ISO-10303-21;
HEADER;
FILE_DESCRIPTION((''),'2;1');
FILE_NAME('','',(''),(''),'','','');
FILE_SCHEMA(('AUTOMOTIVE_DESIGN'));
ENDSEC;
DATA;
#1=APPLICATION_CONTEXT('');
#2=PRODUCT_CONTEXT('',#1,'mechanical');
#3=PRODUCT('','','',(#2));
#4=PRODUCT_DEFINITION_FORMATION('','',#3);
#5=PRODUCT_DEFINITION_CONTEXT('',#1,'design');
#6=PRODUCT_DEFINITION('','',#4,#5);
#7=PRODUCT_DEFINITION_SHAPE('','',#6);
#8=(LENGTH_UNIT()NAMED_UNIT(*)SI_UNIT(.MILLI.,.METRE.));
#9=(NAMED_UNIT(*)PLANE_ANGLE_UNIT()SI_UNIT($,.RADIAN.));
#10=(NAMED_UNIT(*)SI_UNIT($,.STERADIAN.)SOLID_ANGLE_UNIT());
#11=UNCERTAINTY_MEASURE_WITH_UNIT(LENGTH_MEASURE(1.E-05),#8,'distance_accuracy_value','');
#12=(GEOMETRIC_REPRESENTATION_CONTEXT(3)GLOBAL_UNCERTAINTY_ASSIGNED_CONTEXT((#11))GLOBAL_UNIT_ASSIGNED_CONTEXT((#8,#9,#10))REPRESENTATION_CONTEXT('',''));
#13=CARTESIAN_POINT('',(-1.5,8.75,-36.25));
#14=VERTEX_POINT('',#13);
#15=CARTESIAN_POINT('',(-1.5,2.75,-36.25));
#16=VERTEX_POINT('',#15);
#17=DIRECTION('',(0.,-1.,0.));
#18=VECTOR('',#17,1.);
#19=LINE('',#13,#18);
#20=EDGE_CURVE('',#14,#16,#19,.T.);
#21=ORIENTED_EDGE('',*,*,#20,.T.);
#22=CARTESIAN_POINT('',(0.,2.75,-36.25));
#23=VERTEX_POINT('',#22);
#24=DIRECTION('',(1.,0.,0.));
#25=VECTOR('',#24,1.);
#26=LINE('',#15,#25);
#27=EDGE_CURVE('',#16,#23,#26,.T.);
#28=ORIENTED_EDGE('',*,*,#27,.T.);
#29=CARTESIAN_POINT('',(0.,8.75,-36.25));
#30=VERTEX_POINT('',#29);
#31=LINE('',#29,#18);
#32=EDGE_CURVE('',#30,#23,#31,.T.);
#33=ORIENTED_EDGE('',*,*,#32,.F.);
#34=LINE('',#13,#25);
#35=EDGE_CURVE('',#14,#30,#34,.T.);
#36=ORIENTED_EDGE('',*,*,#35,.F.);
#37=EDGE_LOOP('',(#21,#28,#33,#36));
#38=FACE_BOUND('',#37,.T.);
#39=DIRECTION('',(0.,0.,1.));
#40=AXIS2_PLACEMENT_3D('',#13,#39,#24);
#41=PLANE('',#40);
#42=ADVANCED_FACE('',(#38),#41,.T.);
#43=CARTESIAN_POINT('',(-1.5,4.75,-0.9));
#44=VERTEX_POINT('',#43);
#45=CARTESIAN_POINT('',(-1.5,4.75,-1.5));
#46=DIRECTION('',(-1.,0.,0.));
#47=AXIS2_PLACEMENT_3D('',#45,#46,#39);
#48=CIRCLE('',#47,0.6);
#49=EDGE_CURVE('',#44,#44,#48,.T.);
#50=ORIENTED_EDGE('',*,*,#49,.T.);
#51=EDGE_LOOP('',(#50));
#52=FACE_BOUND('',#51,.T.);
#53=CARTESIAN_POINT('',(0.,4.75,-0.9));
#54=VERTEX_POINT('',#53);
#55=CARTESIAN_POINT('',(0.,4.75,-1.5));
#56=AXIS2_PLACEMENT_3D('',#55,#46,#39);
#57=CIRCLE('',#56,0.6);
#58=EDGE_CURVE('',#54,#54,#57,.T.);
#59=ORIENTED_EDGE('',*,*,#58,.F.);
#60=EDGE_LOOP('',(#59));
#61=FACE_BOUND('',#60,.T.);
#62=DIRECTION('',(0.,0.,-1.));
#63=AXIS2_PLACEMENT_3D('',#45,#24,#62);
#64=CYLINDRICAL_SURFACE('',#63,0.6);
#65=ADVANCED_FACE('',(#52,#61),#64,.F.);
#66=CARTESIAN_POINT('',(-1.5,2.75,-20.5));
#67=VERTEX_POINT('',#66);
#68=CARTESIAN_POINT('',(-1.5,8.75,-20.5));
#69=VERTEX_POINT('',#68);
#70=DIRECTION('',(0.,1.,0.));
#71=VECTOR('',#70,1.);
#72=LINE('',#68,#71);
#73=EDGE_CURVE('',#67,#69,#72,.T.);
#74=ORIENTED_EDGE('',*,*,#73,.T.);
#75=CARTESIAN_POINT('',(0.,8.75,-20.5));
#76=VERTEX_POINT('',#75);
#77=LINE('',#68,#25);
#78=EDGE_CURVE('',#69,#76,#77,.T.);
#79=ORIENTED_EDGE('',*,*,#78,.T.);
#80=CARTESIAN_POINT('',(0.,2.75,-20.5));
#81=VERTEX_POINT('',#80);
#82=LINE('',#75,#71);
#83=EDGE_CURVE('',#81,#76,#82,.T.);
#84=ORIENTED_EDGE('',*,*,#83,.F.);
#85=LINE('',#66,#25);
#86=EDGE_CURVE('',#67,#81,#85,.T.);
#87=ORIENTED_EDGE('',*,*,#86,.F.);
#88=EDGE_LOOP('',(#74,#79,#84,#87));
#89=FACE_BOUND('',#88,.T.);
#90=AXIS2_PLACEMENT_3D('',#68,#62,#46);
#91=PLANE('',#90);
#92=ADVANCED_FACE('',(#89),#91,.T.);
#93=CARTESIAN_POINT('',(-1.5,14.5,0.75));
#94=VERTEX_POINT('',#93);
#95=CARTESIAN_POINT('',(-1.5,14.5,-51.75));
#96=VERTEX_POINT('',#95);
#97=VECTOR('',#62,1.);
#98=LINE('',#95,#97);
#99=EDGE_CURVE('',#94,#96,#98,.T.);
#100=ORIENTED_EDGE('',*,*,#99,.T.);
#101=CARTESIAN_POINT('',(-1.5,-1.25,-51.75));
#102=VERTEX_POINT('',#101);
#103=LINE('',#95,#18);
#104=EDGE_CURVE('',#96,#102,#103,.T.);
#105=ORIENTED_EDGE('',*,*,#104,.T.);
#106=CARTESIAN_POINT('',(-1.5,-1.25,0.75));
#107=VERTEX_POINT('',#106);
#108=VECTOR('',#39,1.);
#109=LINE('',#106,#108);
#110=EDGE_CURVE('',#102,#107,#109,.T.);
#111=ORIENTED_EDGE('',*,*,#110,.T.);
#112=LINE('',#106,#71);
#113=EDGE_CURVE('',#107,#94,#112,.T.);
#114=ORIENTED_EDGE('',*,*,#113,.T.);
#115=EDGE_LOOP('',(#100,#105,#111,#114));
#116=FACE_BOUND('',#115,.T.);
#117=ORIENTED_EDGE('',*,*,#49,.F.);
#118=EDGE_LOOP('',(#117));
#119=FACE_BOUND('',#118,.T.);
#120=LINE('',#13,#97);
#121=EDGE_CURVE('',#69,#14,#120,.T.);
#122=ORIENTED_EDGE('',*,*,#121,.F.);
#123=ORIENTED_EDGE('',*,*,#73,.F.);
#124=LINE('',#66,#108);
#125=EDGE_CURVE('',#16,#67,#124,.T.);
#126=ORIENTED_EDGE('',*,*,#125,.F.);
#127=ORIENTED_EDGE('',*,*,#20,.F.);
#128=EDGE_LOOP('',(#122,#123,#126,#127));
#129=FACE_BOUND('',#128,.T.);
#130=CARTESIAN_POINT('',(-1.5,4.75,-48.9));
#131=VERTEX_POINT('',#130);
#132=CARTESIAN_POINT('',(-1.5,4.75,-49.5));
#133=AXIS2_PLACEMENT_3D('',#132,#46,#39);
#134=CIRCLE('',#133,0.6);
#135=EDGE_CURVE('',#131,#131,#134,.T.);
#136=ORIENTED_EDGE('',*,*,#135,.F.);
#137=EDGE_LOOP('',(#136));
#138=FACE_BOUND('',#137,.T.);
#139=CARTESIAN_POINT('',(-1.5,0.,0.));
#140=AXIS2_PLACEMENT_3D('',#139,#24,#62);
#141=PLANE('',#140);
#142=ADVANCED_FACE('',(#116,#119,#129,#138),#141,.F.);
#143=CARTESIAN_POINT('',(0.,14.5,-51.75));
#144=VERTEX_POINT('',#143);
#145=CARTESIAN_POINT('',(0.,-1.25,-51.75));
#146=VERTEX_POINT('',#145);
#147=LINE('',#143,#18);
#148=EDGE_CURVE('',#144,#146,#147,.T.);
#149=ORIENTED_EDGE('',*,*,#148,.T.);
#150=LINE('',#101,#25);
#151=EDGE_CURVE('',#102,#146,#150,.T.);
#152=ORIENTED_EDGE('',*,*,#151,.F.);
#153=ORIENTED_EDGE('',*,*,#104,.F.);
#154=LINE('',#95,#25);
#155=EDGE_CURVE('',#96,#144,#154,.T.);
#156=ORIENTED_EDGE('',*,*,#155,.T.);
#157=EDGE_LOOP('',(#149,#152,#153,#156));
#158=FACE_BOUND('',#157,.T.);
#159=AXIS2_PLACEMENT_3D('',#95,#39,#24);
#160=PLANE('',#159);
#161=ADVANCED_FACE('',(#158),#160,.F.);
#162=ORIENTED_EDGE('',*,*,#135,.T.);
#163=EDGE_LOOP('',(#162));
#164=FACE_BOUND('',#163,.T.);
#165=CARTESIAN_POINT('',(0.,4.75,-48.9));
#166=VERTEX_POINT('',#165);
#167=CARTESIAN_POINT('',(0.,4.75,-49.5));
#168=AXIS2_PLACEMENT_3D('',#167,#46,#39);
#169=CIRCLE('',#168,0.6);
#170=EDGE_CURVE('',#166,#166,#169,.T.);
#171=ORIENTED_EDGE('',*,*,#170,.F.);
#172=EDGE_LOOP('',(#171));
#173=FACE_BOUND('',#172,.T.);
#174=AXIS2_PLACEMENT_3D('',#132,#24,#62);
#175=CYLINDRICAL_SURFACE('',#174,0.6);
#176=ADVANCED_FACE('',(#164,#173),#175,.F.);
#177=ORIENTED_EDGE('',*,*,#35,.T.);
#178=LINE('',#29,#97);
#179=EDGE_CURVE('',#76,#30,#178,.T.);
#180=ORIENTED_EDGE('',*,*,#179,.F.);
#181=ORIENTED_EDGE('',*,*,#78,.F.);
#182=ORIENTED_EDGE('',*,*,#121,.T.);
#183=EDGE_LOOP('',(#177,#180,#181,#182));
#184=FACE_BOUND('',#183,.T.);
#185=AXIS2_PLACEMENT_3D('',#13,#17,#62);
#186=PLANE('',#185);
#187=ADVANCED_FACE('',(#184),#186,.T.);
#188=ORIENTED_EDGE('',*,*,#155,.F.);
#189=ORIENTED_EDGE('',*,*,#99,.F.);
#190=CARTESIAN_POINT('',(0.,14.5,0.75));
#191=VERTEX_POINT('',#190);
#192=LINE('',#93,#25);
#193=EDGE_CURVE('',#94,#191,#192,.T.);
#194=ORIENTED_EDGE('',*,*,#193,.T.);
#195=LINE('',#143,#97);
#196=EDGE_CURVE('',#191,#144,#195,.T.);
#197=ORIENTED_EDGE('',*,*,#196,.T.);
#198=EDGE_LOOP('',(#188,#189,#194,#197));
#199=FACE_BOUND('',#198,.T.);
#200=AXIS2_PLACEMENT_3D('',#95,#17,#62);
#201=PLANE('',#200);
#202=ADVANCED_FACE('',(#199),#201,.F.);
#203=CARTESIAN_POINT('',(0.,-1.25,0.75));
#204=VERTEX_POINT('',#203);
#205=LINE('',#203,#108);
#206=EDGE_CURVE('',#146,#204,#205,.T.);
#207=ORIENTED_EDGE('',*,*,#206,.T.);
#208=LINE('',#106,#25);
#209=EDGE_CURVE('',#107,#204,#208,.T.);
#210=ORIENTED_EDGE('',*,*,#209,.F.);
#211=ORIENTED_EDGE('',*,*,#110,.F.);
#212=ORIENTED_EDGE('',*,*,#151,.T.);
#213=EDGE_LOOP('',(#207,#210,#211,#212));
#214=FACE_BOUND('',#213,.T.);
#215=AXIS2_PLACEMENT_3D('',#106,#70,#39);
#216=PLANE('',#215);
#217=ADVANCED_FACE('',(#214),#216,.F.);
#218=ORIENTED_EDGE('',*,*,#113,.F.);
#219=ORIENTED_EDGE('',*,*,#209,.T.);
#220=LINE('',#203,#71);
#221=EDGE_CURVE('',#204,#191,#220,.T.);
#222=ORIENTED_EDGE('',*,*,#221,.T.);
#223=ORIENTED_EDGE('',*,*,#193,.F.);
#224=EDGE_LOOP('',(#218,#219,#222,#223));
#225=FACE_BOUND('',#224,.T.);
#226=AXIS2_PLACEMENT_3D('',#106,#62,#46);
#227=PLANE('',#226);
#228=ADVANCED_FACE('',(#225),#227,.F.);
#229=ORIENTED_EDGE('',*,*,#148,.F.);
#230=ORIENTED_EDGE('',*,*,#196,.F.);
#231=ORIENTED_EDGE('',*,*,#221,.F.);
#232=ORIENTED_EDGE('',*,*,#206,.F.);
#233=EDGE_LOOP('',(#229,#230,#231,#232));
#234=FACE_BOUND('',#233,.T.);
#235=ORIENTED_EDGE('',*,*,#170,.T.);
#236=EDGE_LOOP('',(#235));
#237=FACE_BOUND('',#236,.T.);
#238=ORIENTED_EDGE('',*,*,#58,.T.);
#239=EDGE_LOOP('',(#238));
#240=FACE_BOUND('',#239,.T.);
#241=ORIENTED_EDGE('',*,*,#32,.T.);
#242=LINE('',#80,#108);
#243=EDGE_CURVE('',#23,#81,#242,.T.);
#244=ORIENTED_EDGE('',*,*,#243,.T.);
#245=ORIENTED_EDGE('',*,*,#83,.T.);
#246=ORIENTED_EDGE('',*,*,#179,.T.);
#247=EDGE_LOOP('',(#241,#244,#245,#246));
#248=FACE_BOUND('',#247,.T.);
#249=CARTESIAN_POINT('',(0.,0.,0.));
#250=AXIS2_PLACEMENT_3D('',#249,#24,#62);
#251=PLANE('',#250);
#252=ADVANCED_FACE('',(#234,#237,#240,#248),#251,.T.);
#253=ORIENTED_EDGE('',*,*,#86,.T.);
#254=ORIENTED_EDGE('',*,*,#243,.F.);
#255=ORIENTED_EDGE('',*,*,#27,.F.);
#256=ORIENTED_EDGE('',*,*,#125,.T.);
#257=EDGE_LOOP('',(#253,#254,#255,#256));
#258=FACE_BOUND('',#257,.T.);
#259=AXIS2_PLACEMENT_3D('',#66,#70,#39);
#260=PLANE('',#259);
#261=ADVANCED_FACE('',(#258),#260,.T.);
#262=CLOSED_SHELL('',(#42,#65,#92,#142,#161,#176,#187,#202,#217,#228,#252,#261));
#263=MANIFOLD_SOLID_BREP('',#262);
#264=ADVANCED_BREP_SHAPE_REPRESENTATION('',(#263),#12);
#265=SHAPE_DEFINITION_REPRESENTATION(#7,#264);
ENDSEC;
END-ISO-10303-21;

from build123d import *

# Parameters (mm, degrees)
SKETCH8_W            = 52.5
SKETCH8_H            = 15.75
SKETCH8_R            = 0.6
SKETCH8_W_2          = 15.75
SKETCH8_H_2          = 6
BOSS_EXTRUDE13_DEPTH = 1.5


with BuildPart() as part:
    # Sketch8 → Boss-Extrude13 (new body)
    with BuildSketch(Plane.ZY):
        with Locations((-25.5, 6.625)):
            Rectangle(SKETCH8_W, SKETCH8_H)
        with Locations((-49.5, 4.75)):
            Circle(SKETCH8_R, mode=Mode.SUBTRACT)
        with Locations((-1.5, 4.75)):
            Circle(SKETCH8_R, mode=Mode.SUBTRACT)
        with Locations((-28.375, 5.75)):
            Rectangle(SKETCH8_W_2, SKETCH8_H_2, mode=Mode.SUBTRACT)
    extrude(amount=BOSS_EXTRUDE13_DEPTH)


solid = part.part
